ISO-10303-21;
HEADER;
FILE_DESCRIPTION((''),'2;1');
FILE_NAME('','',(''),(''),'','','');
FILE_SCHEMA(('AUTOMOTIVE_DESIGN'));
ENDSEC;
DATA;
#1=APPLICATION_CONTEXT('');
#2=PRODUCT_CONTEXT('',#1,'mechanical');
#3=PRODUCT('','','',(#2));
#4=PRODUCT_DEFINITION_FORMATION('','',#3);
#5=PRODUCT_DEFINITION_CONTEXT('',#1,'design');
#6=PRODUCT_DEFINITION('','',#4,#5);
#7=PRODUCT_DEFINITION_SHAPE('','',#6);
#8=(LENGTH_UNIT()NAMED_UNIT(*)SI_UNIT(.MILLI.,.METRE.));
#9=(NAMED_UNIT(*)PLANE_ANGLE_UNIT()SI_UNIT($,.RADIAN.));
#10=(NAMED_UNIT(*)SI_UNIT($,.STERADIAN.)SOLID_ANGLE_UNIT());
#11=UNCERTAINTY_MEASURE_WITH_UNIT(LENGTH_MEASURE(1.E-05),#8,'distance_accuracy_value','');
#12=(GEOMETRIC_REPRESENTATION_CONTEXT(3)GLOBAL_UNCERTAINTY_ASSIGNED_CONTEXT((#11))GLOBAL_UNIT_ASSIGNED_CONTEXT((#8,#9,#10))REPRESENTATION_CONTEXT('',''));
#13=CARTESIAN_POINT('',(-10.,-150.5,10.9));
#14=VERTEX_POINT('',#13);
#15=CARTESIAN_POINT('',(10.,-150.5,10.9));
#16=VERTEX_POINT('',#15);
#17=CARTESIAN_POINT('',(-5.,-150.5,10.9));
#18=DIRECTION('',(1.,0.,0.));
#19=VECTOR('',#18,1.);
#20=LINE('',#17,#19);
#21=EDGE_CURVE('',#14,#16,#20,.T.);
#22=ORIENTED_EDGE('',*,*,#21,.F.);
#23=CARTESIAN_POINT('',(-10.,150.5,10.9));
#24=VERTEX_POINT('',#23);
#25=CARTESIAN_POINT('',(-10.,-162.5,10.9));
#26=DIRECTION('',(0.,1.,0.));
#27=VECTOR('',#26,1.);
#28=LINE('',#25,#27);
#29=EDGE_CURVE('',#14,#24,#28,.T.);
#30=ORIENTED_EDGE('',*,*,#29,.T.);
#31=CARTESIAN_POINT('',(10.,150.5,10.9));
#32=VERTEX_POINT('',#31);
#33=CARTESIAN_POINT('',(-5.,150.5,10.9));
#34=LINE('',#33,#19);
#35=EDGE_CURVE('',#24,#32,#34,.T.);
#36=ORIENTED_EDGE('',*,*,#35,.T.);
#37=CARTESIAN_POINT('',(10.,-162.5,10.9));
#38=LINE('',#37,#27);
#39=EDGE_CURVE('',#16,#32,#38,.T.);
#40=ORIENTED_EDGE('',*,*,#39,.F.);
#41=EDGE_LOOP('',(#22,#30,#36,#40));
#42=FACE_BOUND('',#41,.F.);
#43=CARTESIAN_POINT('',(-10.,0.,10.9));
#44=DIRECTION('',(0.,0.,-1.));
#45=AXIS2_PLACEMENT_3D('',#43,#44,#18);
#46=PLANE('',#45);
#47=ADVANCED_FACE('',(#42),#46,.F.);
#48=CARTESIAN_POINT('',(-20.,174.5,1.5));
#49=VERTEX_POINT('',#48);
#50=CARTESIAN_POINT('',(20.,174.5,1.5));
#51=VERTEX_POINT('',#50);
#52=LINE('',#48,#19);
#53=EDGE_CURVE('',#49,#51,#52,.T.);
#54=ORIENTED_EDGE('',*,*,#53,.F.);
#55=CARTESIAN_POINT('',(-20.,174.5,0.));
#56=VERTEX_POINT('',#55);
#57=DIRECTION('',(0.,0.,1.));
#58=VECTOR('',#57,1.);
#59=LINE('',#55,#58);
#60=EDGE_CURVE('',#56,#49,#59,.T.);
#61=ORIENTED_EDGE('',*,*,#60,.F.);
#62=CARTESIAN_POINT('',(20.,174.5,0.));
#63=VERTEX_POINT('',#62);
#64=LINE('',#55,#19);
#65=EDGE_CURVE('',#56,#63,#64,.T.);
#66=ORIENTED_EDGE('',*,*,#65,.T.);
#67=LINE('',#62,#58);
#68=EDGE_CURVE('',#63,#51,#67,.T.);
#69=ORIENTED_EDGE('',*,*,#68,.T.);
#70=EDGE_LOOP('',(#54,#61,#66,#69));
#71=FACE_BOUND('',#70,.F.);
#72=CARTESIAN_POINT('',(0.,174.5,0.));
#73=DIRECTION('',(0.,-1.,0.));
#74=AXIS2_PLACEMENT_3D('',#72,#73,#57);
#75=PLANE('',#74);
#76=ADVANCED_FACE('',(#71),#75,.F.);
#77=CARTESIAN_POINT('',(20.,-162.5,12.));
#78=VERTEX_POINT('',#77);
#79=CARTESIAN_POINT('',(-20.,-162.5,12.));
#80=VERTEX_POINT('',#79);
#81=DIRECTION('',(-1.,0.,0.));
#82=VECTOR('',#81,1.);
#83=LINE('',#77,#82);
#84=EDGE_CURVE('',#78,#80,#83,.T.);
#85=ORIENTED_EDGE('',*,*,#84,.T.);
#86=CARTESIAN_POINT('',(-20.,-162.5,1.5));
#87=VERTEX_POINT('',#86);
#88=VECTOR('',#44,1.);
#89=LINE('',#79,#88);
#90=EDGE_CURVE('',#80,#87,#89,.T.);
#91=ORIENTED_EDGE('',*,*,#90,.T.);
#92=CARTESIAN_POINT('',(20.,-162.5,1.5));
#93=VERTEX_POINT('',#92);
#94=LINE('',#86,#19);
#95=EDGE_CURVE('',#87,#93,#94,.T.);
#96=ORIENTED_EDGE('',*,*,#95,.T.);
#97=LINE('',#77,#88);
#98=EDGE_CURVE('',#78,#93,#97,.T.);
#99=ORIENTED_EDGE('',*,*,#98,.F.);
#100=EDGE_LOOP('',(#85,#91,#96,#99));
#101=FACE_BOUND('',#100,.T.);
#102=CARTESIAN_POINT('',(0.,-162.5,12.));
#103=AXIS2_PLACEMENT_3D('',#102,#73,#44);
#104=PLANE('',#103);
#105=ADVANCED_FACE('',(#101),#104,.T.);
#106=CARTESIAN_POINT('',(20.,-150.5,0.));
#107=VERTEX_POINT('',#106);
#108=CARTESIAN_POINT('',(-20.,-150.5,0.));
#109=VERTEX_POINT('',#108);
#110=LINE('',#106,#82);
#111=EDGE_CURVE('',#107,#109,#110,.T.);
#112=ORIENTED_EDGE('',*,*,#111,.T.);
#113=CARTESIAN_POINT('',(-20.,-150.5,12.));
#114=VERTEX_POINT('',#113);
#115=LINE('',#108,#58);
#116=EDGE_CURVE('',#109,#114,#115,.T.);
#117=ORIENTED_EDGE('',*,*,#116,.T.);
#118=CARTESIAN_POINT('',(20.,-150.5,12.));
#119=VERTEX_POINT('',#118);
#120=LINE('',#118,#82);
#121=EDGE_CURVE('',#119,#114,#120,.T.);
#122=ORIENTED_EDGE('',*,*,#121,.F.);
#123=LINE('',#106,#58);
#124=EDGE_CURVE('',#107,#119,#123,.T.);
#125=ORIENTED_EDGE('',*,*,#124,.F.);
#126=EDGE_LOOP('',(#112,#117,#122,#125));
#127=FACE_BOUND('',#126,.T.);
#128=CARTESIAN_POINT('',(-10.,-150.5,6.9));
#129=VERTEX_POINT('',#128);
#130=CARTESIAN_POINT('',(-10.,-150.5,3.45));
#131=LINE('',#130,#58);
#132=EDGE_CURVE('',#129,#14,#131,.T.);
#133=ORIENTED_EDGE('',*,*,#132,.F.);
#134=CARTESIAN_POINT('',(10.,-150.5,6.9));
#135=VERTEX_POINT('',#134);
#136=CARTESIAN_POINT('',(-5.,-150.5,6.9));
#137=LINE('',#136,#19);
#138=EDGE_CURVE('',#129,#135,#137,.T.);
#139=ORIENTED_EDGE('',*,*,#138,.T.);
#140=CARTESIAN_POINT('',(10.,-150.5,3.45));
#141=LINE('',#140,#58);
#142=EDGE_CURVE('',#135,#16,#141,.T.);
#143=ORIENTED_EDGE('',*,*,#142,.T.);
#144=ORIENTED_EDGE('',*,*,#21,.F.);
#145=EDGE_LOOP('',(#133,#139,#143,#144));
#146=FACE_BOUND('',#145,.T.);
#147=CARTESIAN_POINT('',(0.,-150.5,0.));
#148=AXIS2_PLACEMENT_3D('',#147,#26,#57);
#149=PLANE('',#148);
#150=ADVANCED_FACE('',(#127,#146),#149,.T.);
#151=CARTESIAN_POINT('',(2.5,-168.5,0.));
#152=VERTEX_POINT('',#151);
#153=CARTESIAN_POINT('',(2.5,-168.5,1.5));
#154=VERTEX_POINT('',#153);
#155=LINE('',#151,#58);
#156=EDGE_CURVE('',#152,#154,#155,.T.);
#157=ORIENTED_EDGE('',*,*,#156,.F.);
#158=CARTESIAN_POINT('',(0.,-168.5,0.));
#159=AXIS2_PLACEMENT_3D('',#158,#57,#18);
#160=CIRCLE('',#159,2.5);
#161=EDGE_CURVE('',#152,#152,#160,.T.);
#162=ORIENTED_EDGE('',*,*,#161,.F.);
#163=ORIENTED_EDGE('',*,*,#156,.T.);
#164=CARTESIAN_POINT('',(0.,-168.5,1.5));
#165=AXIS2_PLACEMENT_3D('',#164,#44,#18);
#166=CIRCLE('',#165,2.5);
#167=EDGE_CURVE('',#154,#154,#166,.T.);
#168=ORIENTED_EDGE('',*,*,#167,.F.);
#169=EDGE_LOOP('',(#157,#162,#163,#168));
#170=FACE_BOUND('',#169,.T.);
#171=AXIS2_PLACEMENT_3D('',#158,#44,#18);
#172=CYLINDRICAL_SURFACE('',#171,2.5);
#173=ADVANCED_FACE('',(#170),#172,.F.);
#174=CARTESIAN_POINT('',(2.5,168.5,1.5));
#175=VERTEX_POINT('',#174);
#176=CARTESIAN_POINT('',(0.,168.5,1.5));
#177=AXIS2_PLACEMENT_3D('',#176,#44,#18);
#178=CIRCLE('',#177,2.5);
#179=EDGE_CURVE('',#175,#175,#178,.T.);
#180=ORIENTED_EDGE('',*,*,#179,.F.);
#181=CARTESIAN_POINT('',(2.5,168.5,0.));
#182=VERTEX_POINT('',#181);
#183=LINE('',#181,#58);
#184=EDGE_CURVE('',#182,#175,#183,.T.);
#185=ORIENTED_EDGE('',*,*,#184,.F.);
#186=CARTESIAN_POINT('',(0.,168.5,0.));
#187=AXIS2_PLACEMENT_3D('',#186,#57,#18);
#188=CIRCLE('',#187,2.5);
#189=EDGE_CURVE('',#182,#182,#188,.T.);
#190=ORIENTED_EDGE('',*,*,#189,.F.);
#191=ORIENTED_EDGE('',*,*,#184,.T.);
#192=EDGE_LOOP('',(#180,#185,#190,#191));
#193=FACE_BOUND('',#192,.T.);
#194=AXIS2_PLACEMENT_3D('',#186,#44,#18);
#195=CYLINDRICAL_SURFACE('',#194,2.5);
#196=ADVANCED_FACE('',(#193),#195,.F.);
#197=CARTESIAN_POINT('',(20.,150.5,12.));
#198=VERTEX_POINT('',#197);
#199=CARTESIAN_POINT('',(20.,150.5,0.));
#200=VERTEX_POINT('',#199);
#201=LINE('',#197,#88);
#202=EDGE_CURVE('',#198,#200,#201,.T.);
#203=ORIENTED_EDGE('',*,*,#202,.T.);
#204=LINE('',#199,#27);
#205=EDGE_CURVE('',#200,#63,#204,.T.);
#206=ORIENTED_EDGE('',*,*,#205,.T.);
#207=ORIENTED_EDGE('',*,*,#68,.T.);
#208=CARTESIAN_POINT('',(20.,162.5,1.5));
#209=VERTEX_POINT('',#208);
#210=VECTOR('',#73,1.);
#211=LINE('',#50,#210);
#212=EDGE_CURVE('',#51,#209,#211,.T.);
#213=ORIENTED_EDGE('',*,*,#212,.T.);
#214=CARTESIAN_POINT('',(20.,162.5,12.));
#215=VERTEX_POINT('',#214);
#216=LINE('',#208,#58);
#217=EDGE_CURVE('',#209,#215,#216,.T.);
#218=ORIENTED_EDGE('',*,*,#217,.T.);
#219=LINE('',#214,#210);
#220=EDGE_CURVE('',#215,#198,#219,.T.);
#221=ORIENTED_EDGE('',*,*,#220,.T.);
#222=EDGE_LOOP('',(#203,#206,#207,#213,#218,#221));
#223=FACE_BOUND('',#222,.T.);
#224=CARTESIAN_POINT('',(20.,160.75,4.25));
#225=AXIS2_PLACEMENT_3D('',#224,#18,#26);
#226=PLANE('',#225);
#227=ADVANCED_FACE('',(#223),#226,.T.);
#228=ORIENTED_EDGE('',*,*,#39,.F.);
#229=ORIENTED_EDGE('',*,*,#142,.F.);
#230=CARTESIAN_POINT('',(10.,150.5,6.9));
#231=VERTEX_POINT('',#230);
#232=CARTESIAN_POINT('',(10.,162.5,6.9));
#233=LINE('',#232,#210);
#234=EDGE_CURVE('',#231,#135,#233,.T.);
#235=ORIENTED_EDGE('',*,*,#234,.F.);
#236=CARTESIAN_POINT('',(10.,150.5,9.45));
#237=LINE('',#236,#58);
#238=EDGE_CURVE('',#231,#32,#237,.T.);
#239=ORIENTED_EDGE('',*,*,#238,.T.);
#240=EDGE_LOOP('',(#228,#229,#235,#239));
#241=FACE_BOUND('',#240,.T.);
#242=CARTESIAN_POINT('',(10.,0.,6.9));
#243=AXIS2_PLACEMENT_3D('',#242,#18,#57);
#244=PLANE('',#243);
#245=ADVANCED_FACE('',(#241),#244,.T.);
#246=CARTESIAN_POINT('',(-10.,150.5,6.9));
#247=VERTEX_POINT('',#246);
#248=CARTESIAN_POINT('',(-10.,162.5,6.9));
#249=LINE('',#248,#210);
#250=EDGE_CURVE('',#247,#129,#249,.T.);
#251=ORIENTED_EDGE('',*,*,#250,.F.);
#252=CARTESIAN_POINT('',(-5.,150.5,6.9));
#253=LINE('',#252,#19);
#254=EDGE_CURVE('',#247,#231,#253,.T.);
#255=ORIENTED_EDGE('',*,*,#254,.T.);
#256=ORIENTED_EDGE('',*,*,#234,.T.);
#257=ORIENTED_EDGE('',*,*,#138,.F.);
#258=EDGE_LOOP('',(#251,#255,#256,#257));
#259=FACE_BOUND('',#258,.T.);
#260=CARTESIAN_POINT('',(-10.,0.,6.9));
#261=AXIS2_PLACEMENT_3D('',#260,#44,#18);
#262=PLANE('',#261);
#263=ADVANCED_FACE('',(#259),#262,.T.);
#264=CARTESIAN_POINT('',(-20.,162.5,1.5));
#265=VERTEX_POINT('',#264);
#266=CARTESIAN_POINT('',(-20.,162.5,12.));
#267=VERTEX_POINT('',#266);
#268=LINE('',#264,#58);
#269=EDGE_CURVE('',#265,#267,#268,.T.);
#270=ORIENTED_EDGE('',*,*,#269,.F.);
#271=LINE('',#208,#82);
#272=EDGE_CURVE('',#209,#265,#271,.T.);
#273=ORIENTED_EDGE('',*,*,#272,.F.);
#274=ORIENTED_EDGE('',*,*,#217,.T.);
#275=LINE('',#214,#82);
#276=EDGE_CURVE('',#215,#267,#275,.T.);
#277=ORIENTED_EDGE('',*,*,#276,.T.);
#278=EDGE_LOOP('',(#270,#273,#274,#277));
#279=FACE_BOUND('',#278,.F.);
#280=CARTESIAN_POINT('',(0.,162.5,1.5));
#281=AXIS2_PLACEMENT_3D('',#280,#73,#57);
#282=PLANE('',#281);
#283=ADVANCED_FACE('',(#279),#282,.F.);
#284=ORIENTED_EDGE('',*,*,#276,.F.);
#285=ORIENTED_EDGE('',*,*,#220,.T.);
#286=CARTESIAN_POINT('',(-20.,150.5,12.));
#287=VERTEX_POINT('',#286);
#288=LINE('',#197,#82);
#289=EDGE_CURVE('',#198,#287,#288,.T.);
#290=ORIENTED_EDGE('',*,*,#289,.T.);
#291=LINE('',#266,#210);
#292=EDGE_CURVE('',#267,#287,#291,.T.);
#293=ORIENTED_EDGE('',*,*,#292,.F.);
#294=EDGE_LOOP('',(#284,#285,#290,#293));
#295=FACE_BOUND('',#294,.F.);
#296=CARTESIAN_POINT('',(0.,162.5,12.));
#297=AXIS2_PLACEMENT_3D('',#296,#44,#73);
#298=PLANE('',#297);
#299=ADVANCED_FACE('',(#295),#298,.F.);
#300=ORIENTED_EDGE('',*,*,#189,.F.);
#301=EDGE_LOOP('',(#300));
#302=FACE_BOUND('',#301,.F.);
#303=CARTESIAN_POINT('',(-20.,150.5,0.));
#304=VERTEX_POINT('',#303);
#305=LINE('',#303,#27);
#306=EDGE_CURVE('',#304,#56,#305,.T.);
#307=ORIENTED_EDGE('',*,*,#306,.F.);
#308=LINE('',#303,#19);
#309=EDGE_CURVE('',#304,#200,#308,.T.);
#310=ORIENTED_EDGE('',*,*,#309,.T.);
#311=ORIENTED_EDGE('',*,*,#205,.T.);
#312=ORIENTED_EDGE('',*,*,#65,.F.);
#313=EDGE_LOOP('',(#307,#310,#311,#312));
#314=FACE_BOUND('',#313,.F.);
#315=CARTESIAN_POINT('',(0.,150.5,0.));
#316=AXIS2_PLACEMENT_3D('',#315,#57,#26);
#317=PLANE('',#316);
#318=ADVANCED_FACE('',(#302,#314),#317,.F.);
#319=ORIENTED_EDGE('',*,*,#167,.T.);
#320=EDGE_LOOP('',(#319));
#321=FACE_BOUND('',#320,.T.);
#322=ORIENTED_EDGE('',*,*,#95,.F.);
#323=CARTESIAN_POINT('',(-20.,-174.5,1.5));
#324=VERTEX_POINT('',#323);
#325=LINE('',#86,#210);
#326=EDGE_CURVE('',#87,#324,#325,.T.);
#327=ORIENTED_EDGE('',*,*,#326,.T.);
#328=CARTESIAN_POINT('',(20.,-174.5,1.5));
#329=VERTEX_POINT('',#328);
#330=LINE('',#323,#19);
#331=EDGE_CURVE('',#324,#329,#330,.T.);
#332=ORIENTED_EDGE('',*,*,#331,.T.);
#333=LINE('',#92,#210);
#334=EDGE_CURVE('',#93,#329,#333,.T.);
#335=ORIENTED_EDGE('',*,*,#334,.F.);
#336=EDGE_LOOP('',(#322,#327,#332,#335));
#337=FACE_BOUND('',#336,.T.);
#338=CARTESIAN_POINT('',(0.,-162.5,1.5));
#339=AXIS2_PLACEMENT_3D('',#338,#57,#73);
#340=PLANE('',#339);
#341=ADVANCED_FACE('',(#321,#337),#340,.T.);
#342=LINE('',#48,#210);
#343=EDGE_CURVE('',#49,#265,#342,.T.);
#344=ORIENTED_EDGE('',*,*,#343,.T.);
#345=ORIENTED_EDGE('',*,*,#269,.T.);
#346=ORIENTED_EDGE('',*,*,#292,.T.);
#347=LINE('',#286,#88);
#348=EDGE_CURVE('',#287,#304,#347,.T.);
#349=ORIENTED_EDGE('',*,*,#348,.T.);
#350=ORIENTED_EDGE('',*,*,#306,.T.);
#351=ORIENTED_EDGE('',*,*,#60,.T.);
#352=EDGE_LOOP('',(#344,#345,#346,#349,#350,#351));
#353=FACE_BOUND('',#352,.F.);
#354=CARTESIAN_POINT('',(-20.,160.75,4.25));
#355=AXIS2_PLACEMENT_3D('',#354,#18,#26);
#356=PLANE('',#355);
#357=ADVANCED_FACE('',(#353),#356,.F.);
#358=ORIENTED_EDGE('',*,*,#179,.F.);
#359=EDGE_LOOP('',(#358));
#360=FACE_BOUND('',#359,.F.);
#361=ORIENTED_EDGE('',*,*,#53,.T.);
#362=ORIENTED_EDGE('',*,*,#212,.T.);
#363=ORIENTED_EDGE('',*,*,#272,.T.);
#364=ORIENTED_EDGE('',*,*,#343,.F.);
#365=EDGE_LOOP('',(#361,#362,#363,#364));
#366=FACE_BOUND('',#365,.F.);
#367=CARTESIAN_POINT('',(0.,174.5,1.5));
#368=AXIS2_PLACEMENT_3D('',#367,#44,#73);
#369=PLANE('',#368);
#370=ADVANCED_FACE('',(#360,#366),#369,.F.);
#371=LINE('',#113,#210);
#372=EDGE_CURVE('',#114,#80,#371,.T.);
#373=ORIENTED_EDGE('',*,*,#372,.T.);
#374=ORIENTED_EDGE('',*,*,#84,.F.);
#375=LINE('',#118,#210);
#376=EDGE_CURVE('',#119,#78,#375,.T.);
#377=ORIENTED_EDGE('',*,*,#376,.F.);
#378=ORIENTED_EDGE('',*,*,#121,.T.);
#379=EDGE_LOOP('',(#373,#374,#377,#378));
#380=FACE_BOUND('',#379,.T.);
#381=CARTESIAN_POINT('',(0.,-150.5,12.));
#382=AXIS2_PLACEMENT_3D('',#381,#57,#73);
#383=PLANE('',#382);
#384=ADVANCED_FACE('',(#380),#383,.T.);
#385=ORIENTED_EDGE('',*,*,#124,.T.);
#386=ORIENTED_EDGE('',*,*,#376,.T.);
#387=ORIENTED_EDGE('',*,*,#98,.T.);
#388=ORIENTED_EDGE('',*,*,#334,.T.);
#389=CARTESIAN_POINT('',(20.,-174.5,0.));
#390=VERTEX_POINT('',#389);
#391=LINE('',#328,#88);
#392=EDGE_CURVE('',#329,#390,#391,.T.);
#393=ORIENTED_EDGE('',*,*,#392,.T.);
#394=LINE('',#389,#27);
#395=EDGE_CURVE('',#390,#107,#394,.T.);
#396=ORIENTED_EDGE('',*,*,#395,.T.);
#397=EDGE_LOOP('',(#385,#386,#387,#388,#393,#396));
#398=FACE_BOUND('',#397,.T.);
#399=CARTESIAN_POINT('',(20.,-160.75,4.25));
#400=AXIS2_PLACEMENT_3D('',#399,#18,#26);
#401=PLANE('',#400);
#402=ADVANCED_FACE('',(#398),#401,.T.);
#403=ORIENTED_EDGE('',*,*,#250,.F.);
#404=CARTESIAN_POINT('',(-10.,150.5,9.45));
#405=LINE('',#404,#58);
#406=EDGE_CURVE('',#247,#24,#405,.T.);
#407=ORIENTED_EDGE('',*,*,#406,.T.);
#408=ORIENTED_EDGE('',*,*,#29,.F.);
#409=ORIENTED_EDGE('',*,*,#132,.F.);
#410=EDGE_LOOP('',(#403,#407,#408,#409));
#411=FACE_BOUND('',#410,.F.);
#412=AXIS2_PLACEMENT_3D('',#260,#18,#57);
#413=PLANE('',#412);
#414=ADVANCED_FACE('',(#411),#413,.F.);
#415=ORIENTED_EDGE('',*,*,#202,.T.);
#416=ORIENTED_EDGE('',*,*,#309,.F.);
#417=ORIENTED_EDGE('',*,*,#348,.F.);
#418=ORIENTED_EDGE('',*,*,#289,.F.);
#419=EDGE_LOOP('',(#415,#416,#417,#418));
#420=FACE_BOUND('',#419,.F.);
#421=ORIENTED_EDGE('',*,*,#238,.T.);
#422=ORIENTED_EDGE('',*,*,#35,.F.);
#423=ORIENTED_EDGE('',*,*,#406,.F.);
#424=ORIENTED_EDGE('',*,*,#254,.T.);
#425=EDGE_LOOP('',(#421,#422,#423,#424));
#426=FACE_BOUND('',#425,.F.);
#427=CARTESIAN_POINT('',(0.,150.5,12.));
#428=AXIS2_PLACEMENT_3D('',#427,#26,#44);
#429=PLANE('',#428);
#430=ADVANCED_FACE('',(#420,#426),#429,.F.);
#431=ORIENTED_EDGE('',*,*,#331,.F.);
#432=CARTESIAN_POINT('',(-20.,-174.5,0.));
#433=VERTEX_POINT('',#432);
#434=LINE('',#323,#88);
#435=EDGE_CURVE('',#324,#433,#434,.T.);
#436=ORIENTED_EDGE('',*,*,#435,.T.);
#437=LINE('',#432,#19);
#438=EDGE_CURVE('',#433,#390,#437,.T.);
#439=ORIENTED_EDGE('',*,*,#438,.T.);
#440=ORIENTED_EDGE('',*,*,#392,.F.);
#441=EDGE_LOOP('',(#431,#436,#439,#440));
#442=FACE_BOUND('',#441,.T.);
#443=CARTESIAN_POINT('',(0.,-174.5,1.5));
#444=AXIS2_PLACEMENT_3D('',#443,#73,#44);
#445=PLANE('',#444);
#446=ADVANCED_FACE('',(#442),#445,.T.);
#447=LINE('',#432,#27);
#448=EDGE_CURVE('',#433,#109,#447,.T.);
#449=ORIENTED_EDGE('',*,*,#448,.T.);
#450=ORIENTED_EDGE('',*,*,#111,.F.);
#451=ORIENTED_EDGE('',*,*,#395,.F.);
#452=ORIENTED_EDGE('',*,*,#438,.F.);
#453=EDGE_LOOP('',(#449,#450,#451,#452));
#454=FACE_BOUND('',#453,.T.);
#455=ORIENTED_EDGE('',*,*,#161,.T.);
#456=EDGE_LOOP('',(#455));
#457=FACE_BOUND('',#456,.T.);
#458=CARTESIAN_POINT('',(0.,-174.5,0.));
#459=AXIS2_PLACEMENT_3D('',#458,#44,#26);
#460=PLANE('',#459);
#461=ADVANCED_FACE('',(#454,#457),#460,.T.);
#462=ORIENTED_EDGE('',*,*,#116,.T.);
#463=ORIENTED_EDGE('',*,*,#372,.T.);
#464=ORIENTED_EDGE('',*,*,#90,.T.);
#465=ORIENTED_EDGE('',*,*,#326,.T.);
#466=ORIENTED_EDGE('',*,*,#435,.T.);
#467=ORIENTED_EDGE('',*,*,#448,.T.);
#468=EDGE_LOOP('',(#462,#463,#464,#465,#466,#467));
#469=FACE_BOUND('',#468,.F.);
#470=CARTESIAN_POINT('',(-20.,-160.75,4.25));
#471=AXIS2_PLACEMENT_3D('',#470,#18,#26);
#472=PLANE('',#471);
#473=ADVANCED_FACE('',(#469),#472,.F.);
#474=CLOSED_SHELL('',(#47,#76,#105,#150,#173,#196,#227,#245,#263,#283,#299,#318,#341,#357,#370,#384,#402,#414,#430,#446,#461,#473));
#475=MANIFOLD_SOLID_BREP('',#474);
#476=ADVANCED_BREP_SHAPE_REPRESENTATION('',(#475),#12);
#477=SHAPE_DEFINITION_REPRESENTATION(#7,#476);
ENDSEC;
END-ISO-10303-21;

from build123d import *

# Parameters (mm, degrees)
SKETCH_W          = 20
SKETCH_H          = 4
PAD_DEPTH         = 162.5
PAD001_DEPTH      = 20
SKETCH002_R       = 2.5
POCKET_DEPTH      = 0.001
POCKET_DEPTH_BACK = -12.001


with BuildPart() as part:
    # Sketch → Pad (new body, symmetric)
    with BuildSketch(Plane.XZ):
        with Locations((0, 8.9)):
            Rectangle(SKETCH_W, SKETCH_H)
    extrude(amount=PAD_DEPTH, both=True)

    # Sketch001 → Pad001 (join, symmetric)
    with BuildSketch(Plane.YZ):
        Polygon((150.5, 12), (150.5, 0), (174.5, 0), (174.5, 1.5), (162.5, 1.5), (162.5, 12), align=None)
        Polygon((-162.5, 12), (-162.5, 1.5), (-174.5, 1.5), (-174.5, 0), (-150.5, 0), (-150.5, 12), align=None)
    extrude(amount=PAD001_DEPTH, both=True)

    # Sketch002 → Pocket (cut, two sides)
    with BuildSketch(Plane.XY) as pocket_sk:
        with Locations((0, -168.5)):
            Circle(SKETCH002_R)
        with Locations((0, 168.5)):
            Circle(SKETCH002_R)
    extrude(amount=-POCKET_DEPTH, mode=Mode.SUBTRACT)
    extrude(pocket_sk.sketch, amount=-POCKET_DEPTH_BACK, mode=Mode.SUBTRACT)


solid = part.part
